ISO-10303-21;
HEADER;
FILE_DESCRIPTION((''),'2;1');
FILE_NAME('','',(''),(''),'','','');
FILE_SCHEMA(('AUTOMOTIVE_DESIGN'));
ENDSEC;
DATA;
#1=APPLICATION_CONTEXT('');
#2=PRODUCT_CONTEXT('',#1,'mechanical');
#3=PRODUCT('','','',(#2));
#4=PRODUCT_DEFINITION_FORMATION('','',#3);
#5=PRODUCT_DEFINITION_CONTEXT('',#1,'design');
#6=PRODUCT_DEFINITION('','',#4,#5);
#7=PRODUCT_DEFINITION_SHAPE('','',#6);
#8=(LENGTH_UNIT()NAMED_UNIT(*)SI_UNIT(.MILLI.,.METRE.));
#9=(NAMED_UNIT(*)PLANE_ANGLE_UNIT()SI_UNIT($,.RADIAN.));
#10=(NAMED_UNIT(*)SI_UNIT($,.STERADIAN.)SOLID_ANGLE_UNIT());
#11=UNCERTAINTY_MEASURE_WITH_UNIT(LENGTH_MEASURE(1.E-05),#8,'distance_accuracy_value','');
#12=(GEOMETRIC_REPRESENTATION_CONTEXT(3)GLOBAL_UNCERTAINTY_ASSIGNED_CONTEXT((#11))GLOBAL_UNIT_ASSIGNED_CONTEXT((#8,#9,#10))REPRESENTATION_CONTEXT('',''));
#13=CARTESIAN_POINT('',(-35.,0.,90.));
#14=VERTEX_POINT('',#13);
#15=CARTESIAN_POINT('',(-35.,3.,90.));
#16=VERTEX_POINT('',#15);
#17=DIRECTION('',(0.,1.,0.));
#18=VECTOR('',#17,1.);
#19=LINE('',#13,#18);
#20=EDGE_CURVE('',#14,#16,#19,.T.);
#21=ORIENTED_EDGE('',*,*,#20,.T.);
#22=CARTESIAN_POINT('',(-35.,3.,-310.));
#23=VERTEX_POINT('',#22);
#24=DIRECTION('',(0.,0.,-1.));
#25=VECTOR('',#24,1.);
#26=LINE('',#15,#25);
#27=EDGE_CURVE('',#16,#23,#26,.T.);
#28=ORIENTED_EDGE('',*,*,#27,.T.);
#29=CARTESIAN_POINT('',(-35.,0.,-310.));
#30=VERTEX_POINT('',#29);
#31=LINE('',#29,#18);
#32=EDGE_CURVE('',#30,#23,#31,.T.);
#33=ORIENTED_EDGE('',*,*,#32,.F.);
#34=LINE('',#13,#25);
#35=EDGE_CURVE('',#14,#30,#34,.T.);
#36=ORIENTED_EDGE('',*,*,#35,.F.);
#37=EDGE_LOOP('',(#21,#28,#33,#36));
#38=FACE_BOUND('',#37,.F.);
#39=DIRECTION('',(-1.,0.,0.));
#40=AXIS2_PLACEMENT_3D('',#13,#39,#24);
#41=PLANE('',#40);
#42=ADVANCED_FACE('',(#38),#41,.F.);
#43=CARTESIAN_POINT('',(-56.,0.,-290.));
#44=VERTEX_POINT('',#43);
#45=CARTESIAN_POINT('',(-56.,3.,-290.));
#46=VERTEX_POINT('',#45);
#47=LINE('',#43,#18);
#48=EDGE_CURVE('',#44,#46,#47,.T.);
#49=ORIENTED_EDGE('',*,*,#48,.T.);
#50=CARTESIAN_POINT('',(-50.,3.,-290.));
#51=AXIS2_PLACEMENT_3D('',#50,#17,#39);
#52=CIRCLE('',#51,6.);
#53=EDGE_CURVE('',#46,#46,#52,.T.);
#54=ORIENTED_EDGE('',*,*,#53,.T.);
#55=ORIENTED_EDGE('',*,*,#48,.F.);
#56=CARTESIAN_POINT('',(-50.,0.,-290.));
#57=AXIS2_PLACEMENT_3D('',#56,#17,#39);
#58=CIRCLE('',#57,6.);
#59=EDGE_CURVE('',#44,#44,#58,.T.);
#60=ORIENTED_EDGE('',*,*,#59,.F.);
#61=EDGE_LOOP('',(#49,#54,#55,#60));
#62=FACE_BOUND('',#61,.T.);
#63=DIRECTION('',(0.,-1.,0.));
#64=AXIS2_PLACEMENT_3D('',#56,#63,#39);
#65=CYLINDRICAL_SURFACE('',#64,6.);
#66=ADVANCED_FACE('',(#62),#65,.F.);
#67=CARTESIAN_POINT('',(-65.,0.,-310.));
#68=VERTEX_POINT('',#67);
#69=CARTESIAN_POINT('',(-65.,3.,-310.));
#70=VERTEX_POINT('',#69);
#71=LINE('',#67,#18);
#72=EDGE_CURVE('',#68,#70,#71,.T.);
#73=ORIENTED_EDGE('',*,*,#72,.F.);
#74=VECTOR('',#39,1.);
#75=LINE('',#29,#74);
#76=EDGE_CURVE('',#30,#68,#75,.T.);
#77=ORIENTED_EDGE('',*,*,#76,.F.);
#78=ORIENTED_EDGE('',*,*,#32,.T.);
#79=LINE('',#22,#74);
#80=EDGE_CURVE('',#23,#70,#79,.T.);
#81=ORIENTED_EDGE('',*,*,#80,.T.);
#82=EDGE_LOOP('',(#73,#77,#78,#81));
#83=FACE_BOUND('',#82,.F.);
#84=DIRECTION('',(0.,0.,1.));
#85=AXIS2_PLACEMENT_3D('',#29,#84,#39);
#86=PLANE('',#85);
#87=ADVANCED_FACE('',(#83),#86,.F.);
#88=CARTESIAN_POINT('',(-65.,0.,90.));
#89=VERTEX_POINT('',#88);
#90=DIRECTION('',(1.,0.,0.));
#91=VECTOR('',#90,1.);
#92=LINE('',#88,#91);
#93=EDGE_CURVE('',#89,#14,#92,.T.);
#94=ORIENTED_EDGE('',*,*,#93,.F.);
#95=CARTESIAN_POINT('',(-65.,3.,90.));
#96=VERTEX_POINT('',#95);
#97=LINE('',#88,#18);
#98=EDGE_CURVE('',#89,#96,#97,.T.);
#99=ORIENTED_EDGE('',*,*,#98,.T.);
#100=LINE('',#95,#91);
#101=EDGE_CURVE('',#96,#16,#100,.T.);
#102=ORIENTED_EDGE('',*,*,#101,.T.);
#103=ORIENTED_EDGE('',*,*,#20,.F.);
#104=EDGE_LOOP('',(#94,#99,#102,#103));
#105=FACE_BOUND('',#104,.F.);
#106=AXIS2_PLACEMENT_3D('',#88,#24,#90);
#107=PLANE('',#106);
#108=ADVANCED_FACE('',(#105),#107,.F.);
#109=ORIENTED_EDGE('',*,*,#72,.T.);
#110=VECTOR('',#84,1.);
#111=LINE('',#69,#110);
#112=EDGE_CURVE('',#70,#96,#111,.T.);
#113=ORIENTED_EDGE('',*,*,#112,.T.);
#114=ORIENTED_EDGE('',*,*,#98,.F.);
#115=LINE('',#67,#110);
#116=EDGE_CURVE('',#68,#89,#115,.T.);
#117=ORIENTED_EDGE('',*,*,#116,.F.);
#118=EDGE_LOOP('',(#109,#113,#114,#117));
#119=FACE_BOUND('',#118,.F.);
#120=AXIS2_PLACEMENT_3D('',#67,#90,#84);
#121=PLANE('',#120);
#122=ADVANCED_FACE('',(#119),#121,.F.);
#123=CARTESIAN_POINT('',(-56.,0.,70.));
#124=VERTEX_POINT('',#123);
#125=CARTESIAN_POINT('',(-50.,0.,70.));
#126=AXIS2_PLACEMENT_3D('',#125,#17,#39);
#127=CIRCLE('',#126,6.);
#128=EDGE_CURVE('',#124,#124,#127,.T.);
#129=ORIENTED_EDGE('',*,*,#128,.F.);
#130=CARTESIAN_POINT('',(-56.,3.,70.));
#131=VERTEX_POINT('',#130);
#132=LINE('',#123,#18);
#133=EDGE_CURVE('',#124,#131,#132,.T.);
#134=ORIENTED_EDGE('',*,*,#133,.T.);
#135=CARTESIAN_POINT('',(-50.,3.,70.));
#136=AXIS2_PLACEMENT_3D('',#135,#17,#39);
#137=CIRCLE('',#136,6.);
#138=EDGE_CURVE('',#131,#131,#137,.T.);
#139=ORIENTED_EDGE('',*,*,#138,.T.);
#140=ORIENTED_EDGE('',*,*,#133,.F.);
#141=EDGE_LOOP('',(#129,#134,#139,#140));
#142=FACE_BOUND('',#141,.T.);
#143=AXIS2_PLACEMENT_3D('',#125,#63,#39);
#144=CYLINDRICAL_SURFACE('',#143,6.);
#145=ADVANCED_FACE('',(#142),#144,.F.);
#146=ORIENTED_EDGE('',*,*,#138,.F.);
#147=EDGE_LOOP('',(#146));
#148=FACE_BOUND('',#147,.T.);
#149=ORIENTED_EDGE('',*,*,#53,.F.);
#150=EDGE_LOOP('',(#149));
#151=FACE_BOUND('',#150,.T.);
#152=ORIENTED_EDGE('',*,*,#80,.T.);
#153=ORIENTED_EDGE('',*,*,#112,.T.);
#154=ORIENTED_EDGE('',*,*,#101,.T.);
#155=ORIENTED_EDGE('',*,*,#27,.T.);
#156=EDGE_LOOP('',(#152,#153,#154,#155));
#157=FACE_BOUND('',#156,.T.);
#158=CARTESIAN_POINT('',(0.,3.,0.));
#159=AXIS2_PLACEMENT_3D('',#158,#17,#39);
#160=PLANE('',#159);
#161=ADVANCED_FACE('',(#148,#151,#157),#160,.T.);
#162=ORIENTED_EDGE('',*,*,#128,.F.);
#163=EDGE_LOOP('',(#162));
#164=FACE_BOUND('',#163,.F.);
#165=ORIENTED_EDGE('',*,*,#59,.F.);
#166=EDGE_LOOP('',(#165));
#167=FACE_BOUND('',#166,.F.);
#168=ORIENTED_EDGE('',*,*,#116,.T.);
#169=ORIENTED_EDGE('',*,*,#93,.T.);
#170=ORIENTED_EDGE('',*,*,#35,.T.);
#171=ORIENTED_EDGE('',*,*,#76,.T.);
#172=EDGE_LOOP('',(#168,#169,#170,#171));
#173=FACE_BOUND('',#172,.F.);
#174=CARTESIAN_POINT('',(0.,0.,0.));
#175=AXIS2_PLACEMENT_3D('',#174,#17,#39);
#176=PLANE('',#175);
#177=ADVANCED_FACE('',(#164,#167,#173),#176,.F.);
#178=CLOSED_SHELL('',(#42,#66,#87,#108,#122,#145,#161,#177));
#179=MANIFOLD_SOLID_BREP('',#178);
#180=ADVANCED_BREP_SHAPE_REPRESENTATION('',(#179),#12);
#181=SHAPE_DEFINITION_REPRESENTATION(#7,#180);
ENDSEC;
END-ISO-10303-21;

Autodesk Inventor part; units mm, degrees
ref_plane "YZ Plane" through (0, 0, 0) normal (1, 0, 0) x (0, 1, 0)
ref_plane "XZ Plane" through (0, 0, 0) normal (0, 1, 0) x (-1, 0, 0)
ref_plane "XY Plane" through (0, 0, 0) normal (0, 0, 1) x (1, 0, 0)
sketch "Sketch1" plane through (0, 0, 0) normal (0, 1, 0) x (-1, 0, 0)
  line L0 (65, 90) -> (35, 90)
  line L1 (35, 90) -> (35, -310)
  line L2 (35, -310) -> (65, -310)
  line L3 (65, -310) -> (65, 90)
  line L4 (50, 90) -> (50, -310) construction
  circle A0 centre (50, 70) radius 6
  circle A1 centre (50, -290) radius 6
  point P0 (0, 0)
  dimension "d0" = 30
  dimension "d1" = 400
  dimension "d2" = 35
  dimension "d3" = 90
  dimension "d6" = 12
  dimension "d7" = 12
  dimension "d8" = 20
  dimension "d9" = 20
extrude "Extrusion1" add sketch "Sketch1" along normal blind 3
properties part number "rig_connector_long"
